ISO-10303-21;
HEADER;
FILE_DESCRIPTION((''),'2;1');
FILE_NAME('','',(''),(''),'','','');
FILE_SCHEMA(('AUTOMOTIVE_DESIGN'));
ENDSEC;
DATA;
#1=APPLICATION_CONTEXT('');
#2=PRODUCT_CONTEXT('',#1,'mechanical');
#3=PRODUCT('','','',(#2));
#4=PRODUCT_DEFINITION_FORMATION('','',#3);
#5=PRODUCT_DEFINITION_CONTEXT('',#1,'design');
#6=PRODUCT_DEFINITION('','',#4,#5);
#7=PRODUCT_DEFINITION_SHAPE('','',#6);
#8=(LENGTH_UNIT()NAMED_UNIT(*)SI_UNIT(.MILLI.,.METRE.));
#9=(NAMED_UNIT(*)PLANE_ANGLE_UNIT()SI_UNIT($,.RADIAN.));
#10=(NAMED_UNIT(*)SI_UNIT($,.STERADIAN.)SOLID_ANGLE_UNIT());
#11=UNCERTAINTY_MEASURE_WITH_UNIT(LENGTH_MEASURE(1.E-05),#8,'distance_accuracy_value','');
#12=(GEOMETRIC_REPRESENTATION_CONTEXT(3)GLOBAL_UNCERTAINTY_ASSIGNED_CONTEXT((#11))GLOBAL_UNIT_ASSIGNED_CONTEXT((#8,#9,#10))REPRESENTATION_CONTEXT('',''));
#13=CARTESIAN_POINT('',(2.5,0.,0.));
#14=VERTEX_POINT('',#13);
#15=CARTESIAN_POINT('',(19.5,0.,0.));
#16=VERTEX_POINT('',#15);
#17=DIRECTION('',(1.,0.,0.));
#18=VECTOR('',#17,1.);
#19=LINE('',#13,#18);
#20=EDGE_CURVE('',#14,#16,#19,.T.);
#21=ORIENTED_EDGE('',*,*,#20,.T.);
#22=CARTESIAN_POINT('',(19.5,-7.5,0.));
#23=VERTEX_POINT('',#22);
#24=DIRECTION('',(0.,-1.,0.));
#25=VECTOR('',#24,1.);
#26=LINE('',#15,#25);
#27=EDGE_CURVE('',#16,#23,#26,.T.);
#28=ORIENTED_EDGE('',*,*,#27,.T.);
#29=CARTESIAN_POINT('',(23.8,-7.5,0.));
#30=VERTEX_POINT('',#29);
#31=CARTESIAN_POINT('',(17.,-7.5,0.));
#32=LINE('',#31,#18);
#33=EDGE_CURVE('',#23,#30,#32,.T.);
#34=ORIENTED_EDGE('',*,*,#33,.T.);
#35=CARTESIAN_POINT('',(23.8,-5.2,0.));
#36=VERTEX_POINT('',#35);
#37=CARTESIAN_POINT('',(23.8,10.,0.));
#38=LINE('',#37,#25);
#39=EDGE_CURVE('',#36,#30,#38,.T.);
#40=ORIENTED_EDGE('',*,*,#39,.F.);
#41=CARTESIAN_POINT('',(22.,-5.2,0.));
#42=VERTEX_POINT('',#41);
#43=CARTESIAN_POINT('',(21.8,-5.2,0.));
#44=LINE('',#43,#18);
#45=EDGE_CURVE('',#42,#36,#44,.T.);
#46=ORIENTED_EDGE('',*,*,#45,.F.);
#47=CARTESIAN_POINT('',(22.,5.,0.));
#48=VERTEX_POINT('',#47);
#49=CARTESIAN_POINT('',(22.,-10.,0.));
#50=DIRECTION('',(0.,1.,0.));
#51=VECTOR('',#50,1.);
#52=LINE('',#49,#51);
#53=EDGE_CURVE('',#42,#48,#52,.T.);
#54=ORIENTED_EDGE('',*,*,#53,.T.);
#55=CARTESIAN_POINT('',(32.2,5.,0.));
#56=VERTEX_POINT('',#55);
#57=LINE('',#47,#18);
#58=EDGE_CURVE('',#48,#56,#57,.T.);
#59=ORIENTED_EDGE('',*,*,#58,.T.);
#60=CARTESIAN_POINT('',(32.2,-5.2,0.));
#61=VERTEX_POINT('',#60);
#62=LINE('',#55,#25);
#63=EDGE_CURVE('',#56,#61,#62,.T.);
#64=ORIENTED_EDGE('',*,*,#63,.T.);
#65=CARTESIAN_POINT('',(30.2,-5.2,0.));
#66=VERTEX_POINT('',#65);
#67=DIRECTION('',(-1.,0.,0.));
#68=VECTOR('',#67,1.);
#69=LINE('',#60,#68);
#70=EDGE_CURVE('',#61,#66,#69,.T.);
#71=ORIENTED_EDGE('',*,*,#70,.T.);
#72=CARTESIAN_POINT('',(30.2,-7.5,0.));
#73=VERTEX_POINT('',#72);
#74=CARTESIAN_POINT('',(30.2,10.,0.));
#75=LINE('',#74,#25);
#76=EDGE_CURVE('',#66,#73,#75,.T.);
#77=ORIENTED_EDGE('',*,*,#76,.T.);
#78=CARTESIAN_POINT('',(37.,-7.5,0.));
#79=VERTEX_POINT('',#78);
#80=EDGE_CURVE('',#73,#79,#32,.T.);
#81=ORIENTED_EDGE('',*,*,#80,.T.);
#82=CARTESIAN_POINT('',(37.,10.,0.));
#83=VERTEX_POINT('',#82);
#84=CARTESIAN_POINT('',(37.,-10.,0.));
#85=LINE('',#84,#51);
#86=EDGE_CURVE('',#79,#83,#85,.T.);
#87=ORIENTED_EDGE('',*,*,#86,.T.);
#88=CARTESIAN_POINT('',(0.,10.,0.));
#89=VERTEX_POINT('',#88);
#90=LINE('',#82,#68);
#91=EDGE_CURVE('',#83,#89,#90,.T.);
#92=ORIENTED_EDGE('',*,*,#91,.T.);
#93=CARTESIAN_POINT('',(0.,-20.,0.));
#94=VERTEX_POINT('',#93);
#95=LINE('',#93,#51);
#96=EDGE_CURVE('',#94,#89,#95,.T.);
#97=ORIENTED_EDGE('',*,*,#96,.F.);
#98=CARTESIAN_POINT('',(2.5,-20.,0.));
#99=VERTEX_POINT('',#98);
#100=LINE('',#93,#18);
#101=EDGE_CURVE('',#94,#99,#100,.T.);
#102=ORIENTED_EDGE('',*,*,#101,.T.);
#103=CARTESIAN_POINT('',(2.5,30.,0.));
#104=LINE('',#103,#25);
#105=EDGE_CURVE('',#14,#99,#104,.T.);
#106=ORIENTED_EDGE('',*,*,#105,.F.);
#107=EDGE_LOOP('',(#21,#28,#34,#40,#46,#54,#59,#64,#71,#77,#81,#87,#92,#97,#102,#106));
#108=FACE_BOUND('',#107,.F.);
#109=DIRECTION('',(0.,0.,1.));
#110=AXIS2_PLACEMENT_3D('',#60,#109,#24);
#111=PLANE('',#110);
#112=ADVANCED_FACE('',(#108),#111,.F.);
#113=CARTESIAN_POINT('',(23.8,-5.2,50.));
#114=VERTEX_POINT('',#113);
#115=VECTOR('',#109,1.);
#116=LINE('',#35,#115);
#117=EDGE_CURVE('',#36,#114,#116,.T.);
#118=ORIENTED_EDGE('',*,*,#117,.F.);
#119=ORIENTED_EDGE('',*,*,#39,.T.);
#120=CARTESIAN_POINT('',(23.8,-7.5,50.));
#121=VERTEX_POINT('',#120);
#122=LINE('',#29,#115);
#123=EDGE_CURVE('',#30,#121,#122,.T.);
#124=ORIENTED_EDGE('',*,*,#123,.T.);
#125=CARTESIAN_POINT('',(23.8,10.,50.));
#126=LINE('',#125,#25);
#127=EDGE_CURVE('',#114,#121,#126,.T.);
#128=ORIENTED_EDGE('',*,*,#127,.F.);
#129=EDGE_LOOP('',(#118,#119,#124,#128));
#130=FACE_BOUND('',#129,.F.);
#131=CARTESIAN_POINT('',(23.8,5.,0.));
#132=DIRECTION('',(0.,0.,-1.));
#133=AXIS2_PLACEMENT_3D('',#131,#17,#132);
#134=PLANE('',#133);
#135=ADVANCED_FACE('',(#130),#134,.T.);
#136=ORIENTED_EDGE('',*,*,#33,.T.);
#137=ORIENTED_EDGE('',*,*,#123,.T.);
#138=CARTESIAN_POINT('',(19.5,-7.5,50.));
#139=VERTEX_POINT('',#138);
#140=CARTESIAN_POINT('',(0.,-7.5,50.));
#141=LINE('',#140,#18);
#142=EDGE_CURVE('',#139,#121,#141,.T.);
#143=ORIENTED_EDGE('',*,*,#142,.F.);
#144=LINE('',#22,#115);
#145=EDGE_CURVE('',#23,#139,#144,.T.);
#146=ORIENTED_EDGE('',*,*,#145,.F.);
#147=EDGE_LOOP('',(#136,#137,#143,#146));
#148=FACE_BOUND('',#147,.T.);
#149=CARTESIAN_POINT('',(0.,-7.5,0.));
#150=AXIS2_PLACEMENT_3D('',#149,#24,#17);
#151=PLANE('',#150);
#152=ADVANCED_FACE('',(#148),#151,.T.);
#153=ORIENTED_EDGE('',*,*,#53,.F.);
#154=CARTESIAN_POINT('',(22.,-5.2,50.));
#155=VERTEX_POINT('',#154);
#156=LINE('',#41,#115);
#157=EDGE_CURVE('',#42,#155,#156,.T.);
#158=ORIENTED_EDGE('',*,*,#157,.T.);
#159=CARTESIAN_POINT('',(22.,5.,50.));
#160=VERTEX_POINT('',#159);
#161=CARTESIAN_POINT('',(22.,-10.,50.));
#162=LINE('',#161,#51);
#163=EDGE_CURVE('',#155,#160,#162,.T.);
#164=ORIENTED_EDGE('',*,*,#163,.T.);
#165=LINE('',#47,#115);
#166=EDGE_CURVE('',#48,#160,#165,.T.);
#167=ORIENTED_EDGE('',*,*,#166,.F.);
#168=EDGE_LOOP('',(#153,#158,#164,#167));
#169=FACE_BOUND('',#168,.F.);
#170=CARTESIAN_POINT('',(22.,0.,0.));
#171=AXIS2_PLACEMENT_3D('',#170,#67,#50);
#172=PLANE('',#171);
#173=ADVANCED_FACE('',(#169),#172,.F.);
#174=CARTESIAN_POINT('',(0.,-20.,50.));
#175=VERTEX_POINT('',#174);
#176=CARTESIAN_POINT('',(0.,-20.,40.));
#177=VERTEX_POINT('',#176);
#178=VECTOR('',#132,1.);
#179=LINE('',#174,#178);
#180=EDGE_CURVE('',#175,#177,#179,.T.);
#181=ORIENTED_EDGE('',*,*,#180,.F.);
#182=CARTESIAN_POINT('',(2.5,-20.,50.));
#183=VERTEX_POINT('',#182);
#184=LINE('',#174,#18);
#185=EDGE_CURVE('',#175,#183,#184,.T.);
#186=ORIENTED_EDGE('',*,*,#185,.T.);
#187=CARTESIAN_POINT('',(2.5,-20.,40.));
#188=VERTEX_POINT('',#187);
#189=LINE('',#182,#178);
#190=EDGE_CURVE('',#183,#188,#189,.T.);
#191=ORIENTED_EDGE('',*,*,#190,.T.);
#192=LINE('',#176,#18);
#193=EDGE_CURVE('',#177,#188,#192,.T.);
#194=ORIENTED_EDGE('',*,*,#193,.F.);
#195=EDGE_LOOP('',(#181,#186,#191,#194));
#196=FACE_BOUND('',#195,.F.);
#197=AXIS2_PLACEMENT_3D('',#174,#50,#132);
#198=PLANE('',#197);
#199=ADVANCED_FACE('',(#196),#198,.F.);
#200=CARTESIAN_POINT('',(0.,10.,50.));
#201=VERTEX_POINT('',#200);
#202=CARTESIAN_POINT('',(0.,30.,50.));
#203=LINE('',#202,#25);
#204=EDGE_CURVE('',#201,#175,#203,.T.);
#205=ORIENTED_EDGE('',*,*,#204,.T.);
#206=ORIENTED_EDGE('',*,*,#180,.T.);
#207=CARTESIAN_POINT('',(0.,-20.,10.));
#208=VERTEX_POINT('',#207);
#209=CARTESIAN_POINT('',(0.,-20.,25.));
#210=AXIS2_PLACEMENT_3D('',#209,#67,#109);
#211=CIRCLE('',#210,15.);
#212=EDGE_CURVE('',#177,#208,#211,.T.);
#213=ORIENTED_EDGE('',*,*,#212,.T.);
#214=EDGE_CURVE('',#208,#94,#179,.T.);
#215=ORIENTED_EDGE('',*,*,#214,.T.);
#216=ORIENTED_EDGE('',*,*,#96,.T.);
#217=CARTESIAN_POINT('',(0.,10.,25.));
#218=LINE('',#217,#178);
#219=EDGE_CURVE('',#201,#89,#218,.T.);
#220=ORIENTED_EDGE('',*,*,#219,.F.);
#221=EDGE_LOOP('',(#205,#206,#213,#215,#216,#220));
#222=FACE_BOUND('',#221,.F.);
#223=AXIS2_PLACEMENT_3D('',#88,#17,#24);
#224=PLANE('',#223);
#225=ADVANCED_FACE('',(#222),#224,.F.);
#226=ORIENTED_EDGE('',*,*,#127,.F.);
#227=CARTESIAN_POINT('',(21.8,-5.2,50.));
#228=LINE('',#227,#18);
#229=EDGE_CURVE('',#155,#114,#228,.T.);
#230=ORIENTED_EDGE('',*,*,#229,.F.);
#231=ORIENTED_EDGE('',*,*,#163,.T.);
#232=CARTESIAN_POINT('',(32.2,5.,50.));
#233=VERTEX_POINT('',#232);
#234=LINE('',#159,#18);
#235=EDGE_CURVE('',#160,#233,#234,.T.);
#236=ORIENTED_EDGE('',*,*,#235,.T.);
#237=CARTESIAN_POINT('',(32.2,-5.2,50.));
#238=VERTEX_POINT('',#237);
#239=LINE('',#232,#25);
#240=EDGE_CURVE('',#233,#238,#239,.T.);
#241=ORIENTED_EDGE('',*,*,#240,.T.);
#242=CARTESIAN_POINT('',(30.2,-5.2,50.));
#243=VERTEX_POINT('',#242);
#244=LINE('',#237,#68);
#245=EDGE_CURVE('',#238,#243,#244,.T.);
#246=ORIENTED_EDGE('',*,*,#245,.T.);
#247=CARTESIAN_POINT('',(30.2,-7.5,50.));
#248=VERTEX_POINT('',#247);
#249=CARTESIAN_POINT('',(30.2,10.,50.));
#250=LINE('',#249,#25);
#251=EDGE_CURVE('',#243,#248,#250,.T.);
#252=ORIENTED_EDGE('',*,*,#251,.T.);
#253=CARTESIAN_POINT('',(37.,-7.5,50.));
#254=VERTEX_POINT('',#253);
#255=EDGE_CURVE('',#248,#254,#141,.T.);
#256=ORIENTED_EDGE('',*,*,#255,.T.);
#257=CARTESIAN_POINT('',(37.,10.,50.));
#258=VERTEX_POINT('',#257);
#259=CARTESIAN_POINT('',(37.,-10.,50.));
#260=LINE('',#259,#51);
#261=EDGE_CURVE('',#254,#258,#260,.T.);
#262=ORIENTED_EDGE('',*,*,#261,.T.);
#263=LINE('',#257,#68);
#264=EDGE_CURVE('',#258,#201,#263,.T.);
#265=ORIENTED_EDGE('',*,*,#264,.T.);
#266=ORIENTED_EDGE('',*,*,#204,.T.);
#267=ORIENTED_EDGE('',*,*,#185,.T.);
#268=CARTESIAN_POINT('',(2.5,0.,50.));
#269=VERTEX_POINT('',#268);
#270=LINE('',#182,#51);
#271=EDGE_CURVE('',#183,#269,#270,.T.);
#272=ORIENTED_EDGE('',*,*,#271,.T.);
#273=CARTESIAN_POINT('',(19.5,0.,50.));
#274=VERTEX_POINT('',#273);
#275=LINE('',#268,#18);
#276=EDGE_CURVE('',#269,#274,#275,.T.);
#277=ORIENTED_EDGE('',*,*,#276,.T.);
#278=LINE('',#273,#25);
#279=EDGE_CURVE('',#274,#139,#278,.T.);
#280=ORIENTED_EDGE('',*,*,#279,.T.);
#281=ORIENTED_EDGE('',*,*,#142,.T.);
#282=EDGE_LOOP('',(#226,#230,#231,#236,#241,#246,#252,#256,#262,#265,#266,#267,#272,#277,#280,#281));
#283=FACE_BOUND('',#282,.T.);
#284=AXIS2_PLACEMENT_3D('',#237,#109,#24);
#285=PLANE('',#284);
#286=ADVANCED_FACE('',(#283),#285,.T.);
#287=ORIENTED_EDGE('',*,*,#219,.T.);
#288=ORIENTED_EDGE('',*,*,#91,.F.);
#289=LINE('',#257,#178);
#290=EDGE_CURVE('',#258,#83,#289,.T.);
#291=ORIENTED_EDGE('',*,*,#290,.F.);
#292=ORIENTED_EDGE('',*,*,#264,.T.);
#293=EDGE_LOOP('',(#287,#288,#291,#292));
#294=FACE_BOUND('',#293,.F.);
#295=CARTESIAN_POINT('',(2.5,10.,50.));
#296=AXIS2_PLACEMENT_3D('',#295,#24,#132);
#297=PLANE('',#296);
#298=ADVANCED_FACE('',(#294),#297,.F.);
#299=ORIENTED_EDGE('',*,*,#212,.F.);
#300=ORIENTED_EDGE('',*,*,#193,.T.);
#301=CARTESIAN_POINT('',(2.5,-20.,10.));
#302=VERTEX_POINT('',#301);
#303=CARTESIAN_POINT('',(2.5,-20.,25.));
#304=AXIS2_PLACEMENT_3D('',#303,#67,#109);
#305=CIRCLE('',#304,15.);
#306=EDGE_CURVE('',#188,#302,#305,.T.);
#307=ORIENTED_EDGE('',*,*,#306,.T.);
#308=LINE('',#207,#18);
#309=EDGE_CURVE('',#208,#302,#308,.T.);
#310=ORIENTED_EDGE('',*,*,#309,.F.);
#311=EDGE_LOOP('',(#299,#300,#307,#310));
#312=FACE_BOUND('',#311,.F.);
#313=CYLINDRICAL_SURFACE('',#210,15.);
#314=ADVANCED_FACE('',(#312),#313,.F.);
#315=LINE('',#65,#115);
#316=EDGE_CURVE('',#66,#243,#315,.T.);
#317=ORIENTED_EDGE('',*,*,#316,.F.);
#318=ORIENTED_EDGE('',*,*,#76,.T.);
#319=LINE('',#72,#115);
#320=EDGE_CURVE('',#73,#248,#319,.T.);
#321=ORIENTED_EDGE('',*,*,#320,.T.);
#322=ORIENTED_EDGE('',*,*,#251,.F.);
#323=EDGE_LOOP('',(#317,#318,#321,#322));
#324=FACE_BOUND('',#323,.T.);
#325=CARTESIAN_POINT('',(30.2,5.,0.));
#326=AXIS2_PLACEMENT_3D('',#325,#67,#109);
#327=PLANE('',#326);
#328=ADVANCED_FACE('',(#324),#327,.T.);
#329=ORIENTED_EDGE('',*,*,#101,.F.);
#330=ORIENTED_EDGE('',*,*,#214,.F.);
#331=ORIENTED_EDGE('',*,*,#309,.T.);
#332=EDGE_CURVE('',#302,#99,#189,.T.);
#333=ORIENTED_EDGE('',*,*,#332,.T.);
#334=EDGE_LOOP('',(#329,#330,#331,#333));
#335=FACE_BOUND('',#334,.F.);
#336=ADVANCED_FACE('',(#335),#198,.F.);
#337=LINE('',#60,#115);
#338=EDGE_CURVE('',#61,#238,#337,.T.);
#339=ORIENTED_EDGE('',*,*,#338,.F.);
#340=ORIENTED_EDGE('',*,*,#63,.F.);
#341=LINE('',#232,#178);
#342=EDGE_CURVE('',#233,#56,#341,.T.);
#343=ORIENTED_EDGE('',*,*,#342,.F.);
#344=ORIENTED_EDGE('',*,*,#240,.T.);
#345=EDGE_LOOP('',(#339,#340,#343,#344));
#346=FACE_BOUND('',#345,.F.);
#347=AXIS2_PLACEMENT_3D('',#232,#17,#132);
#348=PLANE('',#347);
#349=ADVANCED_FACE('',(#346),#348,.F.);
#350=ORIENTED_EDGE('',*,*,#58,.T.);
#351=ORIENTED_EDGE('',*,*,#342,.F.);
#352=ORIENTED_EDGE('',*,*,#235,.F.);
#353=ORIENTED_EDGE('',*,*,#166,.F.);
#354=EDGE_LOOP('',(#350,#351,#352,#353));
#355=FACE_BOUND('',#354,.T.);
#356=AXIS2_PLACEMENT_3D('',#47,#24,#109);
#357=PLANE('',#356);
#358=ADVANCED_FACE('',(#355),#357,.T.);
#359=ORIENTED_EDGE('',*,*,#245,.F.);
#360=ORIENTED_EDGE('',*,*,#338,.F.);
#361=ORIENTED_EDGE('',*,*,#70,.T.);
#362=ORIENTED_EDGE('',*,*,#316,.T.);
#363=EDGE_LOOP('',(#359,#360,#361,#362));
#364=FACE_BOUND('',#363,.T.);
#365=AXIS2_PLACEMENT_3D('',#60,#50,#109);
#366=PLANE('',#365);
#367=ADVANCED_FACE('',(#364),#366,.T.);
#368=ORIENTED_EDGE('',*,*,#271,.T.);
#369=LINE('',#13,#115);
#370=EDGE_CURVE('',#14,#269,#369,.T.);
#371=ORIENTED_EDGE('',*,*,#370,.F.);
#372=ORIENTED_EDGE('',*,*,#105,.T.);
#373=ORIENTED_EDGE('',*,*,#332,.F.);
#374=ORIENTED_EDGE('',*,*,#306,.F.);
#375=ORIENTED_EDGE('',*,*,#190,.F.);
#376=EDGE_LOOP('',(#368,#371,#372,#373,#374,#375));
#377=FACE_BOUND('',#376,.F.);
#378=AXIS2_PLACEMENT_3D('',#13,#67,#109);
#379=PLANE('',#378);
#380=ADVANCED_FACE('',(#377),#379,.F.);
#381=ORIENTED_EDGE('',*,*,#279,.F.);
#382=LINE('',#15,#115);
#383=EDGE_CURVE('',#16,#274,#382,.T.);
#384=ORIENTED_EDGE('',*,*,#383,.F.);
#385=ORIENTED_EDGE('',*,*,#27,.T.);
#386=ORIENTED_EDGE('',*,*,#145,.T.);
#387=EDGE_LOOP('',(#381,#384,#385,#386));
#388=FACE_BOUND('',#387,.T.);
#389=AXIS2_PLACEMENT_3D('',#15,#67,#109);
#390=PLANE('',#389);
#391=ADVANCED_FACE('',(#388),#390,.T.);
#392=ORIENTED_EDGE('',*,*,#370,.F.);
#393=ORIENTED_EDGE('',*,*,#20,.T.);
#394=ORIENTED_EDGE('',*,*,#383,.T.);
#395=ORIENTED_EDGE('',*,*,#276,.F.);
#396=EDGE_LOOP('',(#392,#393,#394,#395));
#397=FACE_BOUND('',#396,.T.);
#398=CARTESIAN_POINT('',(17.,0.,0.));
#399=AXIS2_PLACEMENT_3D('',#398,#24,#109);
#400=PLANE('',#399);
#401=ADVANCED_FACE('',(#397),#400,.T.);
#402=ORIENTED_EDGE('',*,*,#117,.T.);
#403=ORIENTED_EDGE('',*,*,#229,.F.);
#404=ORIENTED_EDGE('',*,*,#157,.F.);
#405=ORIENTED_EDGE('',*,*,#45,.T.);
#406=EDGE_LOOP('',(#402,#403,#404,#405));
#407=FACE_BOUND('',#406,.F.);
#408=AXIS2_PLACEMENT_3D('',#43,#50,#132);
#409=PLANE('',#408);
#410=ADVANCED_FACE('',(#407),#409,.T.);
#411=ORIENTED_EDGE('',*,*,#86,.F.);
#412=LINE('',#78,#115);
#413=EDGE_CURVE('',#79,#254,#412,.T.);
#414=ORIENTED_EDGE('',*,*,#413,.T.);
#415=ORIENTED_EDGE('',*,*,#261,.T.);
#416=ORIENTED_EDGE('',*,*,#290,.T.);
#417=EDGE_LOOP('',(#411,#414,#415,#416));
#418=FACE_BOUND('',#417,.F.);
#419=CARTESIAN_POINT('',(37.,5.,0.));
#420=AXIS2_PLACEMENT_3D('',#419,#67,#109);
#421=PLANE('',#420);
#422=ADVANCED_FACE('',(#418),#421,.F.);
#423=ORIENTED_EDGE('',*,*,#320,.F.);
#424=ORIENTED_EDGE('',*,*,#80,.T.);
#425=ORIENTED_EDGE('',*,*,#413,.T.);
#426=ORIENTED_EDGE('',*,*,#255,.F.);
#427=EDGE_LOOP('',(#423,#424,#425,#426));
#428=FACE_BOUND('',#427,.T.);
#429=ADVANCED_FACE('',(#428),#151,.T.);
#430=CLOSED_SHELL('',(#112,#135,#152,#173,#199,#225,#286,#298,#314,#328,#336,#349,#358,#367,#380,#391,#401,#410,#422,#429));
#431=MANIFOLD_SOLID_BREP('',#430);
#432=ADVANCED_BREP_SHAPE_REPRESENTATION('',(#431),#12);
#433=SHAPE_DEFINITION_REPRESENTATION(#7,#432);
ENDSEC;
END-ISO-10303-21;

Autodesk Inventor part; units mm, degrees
ref_plane "YZ Plane" through (0, 0, 0) normal (1, 0, 0) x (0, 1, 0)
ref_plane "XZ Plane" through (0, 0, 0) normal (0, 1, 0) x (-1, 0, 0)
ref_plane "XY Plane" through (0, 0, 0) normal (0, 0, 1) x (1, 0, 0)
sketch "Skizze1" plane through (0, 0, 0) normal (0, 0, 1) x (1, 0, 0)
  line L0 (0, 0) -> (22, 0)
  line L1 (22, 0) -> (22, 10)
  line L2 (22, 10) -> (0, 10)
  line L3 (0, 10) -> (0, 0)
  dimension "d0" = 22
  dimension "d1" = 10
extrude "Extrusion1" add sketch "Skizze1" along normal blind 50
sketch "Skizze3" plane through (22, 0, 0) normal (1, 0, 0) x (0, 0, -1)
  line L0 (-50, 0) -> (-50, 10) projected
  line L1 (0, 0) -> (0, 10) projected
  line L2 (-50, 10) -> (0, 10)
  line L3 (0, 10) -> (0, 5)
  line L4 (0, 5) -> (-50, 5)
  line L5 (-50, 5) -> (-50, 10)
extrude "Extrusion2" add sketch "Skizze3" along normal blind 15
sketch "Skizze4" plane through (22, 5, 0) normal (0, -1, 0) x (1, 0, 0)
  line L0 (-22, 50) -> (15, 50) projected
  line L1 (15, 50) -> (10.2, 50)
  line L2 (10.2, 50) -> (10.2, 0)
  line L3 (10.2, 0) -> (15, 0)
  line L4 (15, 0) -> (15, 50)
  line L5 (0, 0) -> (0, 50) projected
  point P0 (-22, 0)
  dimension "d6" = 10.2
extrude "Extrusion3" add sketch "Skizze4" along normal blind 5
sketch "Skizze5" plane through (0, 0, 0) normal (0, -1, 0) x (1, 0, 0)
  line L0 (22, 0) -> (22, 50) projected
  line L1 (22, 50) -> (17, 50)
  line L2 (17, 50) -> (17, 0)
  line L3 (17, 0) -> (22, 0)
  line L4 (22, 0) -> (22, 50)
  line L5 (32.2, 50) -> (32.2, 0) projected
  line L6 (37, 0) -> (37, 50) projected
  line L7 (32.2, 50) -> (37, 50)
  line L8 (37, 50) -> (37, 0)
  line L9 (37, 0) -> (32.2, 0)
  line L10 (32.2, 0) -> (32.2, 50)
  point P0 (0, 0)
  dimension "d9" = 5
extrude "Extrusion4" add sketch "Skizze5" along normal blind 10
sketch "Skizze6" plane through (32.2, 5, 0) normal (-1, 0, 0) x (0, 0, 1)
  line L0 (50, 5) -> (50, -15) projected
  line L1 (0, 5) -> (0, -15) projected
  line L2 (50, -15) -> (0, -15)
  line L3 (0, -15) -> (0, -10.2)
  line L4 (0, -10.2) -> (50, -10.2)
  line L5 (50, -10.2) -> (50, -15)
  point P0 (0, -5)
  point P1 (0, -15)
  point P2 (50, -10.2)
  dimension "d12" = 4.8
extrude "Extrusion5" add sketch "Skizze6" along normal blind 2
ref_plane "Arbeitsebene1" through (27, 0, 0) normal (-1, 0, 0) x (0, 0, 1)
mirror "Spiegeln1" about plane through (27, 0, 0) normal (-1, 0, 0) of "Extrusion5"
sketch "Skizze7" plane through (0, -10, 0) normal (0, -1, 0) x (1, 0, 0)
  line L0 (0, 50) -> (37, 50) projected
  line L1 (17, 0) -> (17, 50) projected
  line L2 (37, 50) -> (17, 50)
  line L3 (17, 50) -> (17, 0)
  line L4 (17, 0) -> (37, 0)
  line L5 (37, 0) -> (37, 50)
  point P0 (0, 0)
extrude "Extrusion6" cut sketch "Skizze7" against normal blind 2.5
sketch "Skizze8" plane through (0, 0, 0) normal (-1, 0, 0) x (0, 0, 1)
  point P0 (0, 0)
sketch "Skizze9" plane through (0, 0, 0) normal (-1, 0, 0) x (0, 0, 1)
  line L0 (50, -20) -> (0, -20)
  line L1 (0, -20) -> (0, 30)
  line L2 (0, 30) -> (50, 30)
  line L3 (50, 30) -> (50, -20)
  line L4 (0, 0) -> (50, 0) projected
  line L5 (50, 10) -> (50, 0) projected
  point P0 (50, 5)
  dimension "d17" = 50
  dimension "d18" = 50
  dimension "d19" = 20
  dimension "d20" = 0
extrude "Extrusion7" add sketch "Skizze9" against normal blind 2.5
sketch "Skizze10" plane through (0, -20, 0) normal (-1, 0, 0) x (0, 0, 1)
  circle A0 centre (25, 0) radius 15
  line L0 (0, 0) -> (50, 0) projected
  point P0 (0, 20)
  point P1 (25, 0)
  point P2 (10, 0)
  point P3 (40, 0)
  dimension "d23" = 30
extrude "Extrusion8" cut sketch "Skizze10" against normal blind 2.5 contours L0 A0 picked at (21.7322, 7.6351)
sketch "Skizze11" plane through (17, 0, 0) normal (-1, 0, 0) x (0, 0, 1)
  line L0 (0, -7.5) -> (50, -7.5) projected
  line L1 (0, 0) -> (0, -7.5) projected
  line L2 (50, -7.5) -> (0, -7.5)
  line L3 (0, -7.5) -> (0, 0)
  line L4 (0, 0) -> (50, 0)
  line L5 (50, 0) -> (50, -7.5)
extrude "Extrusion9" cut sketch "Skizze11" against normal blind 2.5
sketch "Skizze12" plane through (2.5, 0, 0) normal (1, 0, 0) x (0, 0, -1)
  line L0 (-50, 10) -> (-50, -7.5) projected
  line L1 (0, 30) -> (0, -20) projected
  line L2 (-50, 10) -> (0, 10)
  line L3 (0, 10) -> (0, 30)
  line L4 (0, 30) -> (-50, 30)
  line L5 (-50, 30) -> (-50, 10)
  point P0 (0, 0)
  point P1 (0, 10)
extrude "Extrusion10" cut sketch "Skizze12" against normal blind 10
properties part number "Schiene"
